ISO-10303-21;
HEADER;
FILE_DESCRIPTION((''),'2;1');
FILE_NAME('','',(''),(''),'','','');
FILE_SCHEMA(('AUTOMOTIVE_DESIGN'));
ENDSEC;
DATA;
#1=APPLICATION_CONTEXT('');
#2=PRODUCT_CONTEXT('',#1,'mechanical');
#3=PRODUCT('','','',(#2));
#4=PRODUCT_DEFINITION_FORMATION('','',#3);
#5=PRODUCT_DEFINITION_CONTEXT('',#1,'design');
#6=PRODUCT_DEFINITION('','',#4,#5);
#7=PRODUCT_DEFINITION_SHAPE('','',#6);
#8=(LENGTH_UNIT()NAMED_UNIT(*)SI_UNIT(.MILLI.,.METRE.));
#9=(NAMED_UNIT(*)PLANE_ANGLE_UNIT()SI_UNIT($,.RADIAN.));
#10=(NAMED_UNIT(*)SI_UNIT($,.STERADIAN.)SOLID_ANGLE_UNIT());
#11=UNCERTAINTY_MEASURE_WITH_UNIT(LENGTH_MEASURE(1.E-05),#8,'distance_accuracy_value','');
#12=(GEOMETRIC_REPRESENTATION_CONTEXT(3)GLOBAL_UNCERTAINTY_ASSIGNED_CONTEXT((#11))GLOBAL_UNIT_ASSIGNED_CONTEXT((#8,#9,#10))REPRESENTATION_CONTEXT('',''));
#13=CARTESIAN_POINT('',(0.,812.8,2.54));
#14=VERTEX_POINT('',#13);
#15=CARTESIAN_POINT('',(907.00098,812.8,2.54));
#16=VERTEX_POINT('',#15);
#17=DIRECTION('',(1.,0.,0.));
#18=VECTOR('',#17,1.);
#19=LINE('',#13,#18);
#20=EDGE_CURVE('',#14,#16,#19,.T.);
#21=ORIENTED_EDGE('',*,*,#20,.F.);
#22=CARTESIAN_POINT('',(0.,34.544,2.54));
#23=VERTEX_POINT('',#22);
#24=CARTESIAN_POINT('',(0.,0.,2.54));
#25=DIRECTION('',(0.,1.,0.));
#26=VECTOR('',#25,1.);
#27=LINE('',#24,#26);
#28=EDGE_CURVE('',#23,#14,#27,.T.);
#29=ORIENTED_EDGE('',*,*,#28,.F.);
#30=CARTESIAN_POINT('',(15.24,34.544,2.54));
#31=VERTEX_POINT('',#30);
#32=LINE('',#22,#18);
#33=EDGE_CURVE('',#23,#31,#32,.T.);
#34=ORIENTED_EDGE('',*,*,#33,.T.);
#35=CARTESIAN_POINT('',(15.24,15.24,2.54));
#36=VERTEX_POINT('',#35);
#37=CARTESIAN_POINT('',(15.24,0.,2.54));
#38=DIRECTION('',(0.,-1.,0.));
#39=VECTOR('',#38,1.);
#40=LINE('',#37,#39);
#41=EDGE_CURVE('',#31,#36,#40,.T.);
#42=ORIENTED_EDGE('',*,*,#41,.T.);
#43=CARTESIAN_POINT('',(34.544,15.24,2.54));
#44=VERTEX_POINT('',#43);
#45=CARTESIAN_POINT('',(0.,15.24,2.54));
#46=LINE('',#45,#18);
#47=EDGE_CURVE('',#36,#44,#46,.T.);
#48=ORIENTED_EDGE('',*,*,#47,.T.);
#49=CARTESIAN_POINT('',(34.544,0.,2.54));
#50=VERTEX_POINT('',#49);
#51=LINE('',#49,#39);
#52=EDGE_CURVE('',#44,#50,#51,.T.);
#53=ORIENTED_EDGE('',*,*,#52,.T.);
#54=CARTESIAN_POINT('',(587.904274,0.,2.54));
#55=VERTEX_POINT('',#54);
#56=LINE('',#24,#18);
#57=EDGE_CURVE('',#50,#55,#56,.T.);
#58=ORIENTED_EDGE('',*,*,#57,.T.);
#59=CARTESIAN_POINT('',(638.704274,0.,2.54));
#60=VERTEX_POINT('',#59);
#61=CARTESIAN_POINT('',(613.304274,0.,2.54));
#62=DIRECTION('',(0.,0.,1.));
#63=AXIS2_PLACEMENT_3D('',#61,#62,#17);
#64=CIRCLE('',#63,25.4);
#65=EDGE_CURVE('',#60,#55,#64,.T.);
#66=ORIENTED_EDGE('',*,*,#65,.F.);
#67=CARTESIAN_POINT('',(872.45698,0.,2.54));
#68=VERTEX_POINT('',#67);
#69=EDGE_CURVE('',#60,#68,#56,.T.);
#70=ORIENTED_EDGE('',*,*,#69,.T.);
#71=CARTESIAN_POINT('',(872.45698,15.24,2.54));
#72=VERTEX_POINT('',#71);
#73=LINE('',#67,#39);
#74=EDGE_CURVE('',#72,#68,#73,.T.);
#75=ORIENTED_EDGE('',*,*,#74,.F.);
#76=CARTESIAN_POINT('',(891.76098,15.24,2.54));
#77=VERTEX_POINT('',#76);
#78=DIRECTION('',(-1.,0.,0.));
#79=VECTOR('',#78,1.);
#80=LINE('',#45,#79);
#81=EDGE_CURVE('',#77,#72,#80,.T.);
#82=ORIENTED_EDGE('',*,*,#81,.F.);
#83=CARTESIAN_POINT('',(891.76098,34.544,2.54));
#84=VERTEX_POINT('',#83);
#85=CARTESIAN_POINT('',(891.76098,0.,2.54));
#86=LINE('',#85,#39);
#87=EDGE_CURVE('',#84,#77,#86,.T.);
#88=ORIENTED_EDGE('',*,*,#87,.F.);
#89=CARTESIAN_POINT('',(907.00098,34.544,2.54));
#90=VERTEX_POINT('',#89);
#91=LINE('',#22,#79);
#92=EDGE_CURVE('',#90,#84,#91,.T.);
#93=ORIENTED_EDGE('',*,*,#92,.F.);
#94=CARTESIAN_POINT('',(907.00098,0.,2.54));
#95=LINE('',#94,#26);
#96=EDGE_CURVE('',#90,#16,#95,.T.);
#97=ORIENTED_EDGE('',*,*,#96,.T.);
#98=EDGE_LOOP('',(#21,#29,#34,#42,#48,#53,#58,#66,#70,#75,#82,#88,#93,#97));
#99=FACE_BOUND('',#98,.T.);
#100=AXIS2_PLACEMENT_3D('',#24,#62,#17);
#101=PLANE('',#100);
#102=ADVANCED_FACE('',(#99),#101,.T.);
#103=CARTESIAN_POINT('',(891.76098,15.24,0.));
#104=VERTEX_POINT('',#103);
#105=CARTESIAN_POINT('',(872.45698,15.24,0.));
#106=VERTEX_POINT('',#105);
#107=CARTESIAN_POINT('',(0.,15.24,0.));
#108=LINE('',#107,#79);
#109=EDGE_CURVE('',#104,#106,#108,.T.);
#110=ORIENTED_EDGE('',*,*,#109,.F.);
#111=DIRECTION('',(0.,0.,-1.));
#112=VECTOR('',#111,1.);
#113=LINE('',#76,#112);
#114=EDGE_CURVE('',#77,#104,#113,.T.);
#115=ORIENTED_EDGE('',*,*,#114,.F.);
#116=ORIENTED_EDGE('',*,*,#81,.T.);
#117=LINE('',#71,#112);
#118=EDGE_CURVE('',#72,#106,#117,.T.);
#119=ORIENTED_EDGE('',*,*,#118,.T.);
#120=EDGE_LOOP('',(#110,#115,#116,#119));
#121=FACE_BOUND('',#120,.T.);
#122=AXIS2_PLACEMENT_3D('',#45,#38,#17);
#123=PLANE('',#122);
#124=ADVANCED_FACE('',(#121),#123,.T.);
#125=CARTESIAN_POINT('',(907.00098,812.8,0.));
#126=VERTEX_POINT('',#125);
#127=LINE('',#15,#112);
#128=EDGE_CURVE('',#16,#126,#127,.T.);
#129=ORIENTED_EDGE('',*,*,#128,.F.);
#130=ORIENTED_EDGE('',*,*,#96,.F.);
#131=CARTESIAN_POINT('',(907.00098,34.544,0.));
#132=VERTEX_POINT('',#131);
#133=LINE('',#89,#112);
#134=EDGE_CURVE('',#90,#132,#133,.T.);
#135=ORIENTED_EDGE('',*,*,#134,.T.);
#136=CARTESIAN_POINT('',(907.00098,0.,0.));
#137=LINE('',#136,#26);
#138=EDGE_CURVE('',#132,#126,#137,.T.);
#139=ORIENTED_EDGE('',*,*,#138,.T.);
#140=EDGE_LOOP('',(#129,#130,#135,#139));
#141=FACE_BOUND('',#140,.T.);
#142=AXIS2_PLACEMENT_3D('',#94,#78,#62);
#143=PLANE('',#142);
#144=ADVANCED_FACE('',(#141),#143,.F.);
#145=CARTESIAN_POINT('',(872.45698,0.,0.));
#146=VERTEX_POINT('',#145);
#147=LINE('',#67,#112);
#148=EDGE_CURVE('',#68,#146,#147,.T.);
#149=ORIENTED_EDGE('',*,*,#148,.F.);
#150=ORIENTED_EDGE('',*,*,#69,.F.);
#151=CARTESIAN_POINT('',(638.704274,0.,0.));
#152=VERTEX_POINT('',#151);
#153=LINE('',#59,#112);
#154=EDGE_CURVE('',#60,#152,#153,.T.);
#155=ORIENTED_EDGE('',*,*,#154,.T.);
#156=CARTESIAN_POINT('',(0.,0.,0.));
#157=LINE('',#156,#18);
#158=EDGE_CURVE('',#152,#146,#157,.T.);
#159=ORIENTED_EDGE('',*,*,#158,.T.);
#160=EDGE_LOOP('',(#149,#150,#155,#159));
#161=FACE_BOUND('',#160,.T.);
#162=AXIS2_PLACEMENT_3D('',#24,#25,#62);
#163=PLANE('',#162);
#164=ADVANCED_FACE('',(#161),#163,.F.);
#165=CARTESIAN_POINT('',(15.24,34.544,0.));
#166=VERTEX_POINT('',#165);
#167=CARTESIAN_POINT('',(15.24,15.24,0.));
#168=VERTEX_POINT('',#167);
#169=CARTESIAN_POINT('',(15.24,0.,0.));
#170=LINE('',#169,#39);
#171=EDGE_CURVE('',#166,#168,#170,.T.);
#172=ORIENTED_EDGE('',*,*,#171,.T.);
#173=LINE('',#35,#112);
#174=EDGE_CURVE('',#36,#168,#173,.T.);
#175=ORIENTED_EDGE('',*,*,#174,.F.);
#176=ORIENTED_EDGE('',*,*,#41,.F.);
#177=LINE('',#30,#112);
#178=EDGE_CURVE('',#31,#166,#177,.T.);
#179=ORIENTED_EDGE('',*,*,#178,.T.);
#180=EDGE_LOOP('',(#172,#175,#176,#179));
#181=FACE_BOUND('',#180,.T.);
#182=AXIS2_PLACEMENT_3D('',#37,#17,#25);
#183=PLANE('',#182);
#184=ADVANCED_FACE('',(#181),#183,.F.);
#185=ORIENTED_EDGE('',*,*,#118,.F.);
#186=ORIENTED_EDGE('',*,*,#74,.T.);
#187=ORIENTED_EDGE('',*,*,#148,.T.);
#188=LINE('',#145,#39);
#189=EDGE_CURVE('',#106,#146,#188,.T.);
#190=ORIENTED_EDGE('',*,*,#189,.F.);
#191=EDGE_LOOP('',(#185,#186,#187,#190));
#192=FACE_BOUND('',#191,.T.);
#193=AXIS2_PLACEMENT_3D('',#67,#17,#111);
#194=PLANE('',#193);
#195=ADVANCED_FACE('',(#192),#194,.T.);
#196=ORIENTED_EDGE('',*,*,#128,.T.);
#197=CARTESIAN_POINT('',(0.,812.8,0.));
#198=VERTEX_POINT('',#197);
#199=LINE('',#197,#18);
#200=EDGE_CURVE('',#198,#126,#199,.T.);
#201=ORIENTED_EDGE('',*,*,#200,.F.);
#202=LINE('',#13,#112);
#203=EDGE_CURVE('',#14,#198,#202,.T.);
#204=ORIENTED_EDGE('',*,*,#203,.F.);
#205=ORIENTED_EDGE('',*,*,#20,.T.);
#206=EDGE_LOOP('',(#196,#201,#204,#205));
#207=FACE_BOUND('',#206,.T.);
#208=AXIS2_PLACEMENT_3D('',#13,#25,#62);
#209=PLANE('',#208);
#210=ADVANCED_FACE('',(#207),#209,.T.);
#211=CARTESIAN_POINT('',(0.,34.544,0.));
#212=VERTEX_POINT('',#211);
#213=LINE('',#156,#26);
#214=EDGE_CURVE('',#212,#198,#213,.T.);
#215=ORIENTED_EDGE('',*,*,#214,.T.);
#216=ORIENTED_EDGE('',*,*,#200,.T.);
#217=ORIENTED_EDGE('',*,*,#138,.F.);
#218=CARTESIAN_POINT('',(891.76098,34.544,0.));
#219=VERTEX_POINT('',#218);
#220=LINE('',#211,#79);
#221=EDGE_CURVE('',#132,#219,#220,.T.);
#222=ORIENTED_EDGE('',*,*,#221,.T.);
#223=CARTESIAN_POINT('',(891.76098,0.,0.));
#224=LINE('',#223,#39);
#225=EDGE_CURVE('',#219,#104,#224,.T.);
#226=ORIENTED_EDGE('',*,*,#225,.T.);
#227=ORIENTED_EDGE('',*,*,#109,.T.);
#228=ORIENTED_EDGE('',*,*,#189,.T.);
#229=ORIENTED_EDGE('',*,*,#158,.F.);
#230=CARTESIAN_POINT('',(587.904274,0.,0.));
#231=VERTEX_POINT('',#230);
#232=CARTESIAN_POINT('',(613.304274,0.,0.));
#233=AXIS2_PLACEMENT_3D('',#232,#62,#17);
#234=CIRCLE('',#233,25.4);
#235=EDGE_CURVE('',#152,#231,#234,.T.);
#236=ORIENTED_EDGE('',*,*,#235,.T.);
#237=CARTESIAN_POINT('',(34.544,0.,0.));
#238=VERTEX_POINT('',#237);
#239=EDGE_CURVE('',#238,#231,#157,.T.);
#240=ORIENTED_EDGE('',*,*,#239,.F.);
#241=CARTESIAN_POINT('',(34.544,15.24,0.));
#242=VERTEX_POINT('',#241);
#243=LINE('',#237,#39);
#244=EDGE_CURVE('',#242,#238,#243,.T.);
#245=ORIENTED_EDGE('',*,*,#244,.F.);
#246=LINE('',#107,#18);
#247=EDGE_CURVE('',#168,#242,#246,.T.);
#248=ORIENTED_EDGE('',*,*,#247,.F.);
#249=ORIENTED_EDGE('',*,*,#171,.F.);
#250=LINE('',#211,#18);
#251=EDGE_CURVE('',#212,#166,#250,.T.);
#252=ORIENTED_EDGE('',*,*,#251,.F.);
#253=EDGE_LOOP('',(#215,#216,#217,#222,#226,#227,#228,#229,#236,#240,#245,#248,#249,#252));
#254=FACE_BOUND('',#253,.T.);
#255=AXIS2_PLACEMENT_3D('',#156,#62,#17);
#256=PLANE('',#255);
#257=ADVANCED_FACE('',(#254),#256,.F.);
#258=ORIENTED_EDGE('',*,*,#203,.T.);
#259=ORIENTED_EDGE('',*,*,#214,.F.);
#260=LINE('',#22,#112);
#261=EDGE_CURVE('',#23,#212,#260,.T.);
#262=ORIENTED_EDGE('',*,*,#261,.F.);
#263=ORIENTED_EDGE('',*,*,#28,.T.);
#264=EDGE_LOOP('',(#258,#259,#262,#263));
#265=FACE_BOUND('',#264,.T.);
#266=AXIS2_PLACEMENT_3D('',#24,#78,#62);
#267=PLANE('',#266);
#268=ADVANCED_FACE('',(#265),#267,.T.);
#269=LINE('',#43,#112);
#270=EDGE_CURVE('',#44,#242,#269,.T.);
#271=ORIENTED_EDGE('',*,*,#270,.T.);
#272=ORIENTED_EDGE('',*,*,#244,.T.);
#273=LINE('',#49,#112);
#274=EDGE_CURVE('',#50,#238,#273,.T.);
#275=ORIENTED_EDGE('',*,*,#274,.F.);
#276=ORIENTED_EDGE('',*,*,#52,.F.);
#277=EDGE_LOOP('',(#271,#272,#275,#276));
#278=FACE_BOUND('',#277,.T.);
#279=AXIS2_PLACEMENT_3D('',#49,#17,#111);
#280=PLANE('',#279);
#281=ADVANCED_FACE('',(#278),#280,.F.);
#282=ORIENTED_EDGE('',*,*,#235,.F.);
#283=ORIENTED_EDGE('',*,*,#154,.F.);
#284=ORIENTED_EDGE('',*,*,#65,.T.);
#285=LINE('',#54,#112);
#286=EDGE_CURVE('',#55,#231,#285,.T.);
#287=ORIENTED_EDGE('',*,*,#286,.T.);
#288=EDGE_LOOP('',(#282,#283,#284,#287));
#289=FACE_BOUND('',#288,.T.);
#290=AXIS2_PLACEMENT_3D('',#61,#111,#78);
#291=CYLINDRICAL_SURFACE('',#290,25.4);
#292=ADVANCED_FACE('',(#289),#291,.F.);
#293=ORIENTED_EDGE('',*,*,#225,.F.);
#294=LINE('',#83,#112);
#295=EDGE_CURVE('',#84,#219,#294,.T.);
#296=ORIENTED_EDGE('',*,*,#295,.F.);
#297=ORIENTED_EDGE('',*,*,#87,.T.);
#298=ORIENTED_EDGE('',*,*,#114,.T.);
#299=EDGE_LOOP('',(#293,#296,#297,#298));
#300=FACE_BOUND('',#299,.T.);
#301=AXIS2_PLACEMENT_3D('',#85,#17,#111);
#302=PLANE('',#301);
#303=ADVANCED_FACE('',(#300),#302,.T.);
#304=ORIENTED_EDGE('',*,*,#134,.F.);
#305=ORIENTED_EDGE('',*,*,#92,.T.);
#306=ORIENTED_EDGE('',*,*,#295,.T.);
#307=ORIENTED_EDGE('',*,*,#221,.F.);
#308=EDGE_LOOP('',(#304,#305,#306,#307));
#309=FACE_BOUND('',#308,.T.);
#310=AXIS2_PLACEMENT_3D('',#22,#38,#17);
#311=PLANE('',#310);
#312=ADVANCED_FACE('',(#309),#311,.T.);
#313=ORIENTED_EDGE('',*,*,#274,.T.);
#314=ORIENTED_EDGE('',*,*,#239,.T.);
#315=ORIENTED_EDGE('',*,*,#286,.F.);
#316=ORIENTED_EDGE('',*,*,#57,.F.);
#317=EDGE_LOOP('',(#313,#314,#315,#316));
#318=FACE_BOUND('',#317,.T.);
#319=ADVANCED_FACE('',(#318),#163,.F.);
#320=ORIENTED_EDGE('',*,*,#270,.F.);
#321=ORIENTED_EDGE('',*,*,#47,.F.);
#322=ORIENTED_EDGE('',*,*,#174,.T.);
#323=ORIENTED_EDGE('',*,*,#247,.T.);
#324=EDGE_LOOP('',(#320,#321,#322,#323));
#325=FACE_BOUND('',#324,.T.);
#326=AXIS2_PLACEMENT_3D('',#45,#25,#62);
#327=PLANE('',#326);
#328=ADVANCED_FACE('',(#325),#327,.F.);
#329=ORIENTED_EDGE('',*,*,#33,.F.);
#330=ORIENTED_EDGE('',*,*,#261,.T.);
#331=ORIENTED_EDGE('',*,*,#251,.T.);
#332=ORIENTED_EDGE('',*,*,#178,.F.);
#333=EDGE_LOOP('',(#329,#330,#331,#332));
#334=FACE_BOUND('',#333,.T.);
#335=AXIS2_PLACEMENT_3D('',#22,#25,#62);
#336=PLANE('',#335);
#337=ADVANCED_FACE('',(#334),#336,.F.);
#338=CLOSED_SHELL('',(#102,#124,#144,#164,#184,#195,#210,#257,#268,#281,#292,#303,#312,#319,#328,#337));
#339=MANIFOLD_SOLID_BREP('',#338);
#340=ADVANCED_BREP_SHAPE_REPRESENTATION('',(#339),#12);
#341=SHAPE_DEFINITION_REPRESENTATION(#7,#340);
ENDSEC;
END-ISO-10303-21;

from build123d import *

# Parameters (mm, degrees)
BOSS_EXTRUDE1_DEPTH = 2.54


with BuildPart() as part:
    # Sketch1 → Boss-Extrude1 (new body)
    with BuildSketch(Plane.XY):
        with BuildLine():
            Line((0, 812.8), (0, 34.544))
            Line((0, 34.544), (15.24, 34.544))
            Line((15.24, 34.544), (15.24, 15.24))
            Line((15.24, 15.24), (34.544, 15.24))
            Line((34.544, 15.24), (34.544, 0))
            Line((34.544, 0), (587.904273944, 0))
            ThreePointArc((587.904273944, 0), (613.304273944, 25.4), (638.704273944, 0))
            Line((638.704273944, 0), (872.45698, 0))
            Line((872.45698, 0), (872.45698, 15.24))
            Line((872.45698, 15.24), (891.76098, 15.24))
            Line((891.76098, 15.24), (891.76098, 34.544))
            Line((891.76098, 34.544), (907.00098, 34.544))
            Line((907.00098, 34.544), (907.00098, 812.8))
            Line((907.00098, 812.8), (0, 812.8))
        make_face()
    extrude(amount=BOSS_EXTRUDE1_DEPTH)


solid = part.part
